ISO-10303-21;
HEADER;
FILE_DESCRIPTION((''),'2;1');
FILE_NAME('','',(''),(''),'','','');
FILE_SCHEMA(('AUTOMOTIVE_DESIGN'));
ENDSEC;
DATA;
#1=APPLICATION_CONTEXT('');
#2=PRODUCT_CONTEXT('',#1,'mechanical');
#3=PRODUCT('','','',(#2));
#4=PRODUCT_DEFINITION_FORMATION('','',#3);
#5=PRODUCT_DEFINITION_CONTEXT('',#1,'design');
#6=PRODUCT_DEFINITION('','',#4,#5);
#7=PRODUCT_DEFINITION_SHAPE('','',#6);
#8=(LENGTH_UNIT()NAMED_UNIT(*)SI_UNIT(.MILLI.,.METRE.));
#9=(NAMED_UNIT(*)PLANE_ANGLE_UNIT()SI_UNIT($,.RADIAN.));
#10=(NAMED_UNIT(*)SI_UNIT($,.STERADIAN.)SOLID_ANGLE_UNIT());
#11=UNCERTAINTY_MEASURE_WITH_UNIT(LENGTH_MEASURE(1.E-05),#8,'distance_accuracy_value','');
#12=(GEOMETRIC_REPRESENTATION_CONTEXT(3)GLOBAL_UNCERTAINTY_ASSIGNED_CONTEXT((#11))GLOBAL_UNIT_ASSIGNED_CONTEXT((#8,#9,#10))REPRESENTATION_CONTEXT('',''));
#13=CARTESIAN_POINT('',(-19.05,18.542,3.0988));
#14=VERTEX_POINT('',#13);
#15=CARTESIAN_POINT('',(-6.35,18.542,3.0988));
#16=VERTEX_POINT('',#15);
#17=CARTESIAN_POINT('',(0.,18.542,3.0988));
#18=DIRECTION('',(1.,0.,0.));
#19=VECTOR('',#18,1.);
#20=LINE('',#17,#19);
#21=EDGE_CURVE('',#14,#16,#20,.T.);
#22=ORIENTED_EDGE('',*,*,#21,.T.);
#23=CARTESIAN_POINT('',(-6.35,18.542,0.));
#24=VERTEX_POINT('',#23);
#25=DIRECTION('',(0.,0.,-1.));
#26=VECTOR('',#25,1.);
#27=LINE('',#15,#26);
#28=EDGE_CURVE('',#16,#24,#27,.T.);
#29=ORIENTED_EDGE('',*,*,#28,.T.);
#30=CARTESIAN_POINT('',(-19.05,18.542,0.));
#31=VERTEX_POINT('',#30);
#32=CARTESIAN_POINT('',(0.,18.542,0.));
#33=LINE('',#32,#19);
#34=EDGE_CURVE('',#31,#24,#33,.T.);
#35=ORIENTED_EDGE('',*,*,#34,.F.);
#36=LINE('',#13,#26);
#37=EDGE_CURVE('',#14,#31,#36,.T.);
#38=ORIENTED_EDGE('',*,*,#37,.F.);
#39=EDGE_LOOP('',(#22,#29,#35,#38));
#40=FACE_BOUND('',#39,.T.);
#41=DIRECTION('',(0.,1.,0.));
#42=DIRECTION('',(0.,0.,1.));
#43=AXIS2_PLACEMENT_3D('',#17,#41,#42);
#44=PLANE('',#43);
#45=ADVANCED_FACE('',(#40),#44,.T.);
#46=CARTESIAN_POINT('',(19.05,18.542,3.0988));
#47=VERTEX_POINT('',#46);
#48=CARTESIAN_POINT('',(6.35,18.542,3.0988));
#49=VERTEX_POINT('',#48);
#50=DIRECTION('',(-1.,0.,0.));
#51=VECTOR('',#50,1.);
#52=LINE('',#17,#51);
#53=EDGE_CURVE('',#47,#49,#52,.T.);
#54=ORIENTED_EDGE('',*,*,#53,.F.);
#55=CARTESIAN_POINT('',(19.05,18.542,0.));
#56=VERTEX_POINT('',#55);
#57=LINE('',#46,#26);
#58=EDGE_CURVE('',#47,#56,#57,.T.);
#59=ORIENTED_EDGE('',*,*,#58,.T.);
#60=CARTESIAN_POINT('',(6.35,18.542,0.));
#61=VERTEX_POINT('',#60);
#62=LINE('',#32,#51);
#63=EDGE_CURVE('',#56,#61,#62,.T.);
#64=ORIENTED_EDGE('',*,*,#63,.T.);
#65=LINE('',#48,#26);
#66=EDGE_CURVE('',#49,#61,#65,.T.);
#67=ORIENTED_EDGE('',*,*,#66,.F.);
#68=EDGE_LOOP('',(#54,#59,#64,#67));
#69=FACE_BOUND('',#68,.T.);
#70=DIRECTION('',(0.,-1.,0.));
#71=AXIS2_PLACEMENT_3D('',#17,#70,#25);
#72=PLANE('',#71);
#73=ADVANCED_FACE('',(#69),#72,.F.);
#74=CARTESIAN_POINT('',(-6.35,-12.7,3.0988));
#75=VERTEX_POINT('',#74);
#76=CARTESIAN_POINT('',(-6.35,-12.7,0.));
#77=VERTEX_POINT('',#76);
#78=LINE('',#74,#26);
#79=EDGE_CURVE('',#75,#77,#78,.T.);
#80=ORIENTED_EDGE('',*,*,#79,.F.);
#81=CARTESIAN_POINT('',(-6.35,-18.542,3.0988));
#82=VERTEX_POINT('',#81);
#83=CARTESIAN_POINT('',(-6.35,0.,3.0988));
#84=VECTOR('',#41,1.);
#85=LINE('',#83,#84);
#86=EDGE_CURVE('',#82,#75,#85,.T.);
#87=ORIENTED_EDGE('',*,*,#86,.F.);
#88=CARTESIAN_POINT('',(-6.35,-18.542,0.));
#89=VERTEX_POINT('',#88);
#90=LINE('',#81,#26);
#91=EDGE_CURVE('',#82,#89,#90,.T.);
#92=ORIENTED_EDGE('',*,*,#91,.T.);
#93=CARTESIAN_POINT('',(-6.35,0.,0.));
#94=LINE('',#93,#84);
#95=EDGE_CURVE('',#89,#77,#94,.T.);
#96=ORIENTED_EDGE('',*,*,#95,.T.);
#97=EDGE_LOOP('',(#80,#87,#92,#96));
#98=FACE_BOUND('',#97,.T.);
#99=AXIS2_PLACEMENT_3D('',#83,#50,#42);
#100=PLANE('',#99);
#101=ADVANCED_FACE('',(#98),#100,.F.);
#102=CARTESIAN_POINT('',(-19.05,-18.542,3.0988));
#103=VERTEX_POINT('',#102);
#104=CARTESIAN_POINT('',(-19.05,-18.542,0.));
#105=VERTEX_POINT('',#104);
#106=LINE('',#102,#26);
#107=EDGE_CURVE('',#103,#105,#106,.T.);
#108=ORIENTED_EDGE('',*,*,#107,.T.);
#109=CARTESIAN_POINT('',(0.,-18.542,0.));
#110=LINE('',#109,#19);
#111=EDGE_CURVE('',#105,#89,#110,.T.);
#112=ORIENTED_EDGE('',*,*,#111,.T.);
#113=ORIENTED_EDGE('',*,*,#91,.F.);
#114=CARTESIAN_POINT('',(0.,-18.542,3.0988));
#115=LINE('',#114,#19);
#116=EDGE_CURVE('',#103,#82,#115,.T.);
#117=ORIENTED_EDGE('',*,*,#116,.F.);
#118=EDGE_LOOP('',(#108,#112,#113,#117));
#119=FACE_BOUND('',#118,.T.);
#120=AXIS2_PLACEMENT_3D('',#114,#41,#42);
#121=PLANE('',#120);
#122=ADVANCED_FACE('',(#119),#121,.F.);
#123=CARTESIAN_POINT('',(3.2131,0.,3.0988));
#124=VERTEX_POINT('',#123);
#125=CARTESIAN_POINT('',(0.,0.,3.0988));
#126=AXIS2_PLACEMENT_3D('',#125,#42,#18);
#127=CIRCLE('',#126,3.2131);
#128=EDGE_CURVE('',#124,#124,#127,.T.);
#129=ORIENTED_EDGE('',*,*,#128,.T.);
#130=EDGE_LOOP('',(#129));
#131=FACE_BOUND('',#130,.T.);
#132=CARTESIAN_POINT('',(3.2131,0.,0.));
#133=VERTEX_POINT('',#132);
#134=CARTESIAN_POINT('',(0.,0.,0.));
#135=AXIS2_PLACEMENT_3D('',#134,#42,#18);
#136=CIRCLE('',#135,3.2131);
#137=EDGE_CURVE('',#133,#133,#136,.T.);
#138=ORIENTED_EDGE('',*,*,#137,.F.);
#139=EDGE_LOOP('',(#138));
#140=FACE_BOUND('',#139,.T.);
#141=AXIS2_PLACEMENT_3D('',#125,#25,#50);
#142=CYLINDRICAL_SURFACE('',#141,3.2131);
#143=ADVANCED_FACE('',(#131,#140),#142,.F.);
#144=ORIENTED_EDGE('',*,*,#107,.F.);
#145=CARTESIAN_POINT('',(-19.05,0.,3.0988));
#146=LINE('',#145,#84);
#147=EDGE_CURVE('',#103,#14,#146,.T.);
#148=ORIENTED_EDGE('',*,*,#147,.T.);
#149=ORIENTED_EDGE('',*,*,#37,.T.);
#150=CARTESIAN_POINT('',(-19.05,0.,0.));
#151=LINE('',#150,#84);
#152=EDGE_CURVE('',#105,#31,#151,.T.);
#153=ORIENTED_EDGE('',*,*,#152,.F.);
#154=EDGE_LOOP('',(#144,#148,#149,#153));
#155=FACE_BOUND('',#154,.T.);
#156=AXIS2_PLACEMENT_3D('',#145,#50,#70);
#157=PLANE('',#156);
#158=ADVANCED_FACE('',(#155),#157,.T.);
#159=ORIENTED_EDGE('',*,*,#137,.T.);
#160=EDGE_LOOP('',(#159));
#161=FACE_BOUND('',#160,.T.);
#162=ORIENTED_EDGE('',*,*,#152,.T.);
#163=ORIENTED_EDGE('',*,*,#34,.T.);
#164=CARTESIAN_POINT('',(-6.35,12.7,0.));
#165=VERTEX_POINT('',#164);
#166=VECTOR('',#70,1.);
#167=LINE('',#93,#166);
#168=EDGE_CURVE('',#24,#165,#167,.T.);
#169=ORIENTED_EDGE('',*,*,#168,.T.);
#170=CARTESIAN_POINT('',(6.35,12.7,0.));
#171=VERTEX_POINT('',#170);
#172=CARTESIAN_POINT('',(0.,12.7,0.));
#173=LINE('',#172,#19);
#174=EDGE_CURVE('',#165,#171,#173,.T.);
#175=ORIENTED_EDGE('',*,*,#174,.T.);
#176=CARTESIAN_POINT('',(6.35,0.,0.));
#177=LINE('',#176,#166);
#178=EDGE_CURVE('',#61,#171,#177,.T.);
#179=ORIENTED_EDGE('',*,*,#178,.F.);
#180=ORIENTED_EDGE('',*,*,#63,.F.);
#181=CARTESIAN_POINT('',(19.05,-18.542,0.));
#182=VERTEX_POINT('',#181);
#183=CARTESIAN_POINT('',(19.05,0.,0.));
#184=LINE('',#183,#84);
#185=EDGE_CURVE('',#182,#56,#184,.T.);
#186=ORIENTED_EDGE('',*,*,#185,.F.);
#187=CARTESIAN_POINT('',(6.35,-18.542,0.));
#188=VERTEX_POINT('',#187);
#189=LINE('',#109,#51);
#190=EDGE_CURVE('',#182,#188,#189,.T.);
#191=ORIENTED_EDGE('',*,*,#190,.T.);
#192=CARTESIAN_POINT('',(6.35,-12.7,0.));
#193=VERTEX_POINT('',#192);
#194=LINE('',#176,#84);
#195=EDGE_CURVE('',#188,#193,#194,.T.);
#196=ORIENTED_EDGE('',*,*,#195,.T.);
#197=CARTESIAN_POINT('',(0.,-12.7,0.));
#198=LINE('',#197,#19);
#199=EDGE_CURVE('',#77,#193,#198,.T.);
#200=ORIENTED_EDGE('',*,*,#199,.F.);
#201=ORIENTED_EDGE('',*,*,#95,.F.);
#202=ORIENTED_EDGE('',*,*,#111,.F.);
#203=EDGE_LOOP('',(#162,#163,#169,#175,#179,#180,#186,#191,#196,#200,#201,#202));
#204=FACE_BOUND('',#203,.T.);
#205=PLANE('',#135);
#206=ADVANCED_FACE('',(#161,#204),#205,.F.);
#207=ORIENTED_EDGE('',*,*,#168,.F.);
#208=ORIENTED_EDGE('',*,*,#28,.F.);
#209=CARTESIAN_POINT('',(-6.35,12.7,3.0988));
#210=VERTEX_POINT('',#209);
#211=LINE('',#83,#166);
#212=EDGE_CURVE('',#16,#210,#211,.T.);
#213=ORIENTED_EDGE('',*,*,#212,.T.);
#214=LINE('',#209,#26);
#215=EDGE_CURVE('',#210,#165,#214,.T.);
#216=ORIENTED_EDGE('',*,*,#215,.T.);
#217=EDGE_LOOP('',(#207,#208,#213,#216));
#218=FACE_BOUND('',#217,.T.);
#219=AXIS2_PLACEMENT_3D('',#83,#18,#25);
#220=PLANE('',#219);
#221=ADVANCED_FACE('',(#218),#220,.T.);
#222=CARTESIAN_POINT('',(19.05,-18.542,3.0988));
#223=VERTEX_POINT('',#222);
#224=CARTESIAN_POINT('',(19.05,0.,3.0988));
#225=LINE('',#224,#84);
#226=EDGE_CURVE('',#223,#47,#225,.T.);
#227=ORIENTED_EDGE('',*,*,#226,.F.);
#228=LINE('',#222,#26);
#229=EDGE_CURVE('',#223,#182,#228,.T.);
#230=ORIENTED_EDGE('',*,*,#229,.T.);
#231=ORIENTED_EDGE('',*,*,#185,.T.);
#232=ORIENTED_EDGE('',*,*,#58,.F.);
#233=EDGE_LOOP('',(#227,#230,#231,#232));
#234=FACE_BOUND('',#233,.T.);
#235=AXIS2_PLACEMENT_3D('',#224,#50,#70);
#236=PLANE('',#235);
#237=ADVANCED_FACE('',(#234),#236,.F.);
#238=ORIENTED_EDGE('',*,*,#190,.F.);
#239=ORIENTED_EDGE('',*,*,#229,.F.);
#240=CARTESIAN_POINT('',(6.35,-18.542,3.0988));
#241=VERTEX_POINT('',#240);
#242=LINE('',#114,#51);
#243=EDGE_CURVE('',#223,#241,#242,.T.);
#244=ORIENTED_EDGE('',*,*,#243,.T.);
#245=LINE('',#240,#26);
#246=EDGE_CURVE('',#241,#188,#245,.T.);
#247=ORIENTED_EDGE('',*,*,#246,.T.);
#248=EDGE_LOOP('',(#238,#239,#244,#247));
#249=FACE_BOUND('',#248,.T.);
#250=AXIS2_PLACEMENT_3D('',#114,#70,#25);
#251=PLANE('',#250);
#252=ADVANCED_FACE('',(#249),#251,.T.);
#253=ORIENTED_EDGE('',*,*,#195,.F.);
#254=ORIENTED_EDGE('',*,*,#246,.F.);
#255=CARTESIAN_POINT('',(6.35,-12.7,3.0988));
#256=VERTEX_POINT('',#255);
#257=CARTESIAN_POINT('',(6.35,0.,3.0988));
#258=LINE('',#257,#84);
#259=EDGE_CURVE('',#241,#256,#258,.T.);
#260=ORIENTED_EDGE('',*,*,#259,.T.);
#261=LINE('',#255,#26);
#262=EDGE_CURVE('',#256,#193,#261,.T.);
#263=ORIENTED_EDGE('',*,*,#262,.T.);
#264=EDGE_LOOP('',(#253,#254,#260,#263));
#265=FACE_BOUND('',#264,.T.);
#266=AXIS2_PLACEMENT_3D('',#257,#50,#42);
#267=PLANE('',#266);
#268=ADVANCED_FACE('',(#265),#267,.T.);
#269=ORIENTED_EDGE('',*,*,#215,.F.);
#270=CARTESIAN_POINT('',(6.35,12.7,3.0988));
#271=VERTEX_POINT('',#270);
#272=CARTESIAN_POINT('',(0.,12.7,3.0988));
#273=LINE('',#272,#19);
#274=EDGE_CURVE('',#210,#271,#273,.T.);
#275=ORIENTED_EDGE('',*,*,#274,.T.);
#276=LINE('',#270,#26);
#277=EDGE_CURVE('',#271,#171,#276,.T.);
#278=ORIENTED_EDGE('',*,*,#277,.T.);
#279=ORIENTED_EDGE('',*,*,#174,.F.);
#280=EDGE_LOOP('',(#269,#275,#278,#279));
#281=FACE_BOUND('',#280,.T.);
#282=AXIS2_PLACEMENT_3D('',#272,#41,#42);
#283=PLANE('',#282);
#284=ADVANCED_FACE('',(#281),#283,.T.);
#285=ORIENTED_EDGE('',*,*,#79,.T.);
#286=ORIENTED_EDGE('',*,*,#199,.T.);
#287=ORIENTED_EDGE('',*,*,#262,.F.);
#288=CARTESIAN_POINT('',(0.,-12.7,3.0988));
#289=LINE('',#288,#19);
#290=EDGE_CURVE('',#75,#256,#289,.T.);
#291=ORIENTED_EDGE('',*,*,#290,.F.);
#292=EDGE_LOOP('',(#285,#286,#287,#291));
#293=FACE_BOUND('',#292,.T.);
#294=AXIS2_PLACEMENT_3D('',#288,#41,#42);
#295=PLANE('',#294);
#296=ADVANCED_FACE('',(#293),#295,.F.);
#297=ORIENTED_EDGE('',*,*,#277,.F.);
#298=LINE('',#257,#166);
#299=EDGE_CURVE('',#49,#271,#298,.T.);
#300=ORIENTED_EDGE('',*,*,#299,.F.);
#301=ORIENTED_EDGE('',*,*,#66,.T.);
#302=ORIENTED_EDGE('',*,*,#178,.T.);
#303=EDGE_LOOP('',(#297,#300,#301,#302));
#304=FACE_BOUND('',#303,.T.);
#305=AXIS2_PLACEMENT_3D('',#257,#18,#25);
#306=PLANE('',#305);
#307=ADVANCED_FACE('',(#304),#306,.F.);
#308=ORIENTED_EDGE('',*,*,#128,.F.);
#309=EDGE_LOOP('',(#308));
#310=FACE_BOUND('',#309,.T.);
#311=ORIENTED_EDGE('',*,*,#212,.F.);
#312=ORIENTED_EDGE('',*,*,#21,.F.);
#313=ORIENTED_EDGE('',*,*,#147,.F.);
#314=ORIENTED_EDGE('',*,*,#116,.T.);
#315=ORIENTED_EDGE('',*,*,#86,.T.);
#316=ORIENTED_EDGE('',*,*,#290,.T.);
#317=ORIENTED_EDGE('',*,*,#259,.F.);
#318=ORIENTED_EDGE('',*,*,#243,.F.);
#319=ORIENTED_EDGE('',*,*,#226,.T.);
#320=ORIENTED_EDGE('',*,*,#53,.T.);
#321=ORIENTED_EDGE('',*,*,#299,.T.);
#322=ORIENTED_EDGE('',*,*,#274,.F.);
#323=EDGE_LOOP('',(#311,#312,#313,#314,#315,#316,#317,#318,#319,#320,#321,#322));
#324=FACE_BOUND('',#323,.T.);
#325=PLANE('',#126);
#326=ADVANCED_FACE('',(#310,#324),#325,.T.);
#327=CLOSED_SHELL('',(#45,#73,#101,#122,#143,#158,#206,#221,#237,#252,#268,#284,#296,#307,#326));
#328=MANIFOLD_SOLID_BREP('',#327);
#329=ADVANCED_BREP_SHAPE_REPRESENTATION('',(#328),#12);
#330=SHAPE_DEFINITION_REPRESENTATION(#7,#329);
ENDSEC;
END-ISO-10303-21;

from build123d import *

# Parameters (mm, degrees)
SKETCH1_R           = 3.2131
BOSS_EXTRUDE1_DEPTH = 3.0988


with BuildPart() as part:
    # Sketch1 → Boss-Extrude1 (new body)
    with BuildSketch(Plane.XY):
        Polygon((-19.05, -18.542), (-19.05, -12.7), (-19.05, 12.7), (-19.05, 18.542), (-6.35, 18.542), (-6.35, 12.7), (6.35, 12.7), (6.35, 18.542), (19.05, 18.542), (19.05, 12.7), (19.05, -12.7), (19.05, -18.542), (6.35, -18.542), (6.35, -12.7), (-6.35, -12.7), (-6.35, -18.542), align=None)
        Circle(SKETCH1_R, mode=Mode.SUBTRACT)
    extrude(amount=BOSS_EXTRUDE1_DEPTH)


solid = part.part
